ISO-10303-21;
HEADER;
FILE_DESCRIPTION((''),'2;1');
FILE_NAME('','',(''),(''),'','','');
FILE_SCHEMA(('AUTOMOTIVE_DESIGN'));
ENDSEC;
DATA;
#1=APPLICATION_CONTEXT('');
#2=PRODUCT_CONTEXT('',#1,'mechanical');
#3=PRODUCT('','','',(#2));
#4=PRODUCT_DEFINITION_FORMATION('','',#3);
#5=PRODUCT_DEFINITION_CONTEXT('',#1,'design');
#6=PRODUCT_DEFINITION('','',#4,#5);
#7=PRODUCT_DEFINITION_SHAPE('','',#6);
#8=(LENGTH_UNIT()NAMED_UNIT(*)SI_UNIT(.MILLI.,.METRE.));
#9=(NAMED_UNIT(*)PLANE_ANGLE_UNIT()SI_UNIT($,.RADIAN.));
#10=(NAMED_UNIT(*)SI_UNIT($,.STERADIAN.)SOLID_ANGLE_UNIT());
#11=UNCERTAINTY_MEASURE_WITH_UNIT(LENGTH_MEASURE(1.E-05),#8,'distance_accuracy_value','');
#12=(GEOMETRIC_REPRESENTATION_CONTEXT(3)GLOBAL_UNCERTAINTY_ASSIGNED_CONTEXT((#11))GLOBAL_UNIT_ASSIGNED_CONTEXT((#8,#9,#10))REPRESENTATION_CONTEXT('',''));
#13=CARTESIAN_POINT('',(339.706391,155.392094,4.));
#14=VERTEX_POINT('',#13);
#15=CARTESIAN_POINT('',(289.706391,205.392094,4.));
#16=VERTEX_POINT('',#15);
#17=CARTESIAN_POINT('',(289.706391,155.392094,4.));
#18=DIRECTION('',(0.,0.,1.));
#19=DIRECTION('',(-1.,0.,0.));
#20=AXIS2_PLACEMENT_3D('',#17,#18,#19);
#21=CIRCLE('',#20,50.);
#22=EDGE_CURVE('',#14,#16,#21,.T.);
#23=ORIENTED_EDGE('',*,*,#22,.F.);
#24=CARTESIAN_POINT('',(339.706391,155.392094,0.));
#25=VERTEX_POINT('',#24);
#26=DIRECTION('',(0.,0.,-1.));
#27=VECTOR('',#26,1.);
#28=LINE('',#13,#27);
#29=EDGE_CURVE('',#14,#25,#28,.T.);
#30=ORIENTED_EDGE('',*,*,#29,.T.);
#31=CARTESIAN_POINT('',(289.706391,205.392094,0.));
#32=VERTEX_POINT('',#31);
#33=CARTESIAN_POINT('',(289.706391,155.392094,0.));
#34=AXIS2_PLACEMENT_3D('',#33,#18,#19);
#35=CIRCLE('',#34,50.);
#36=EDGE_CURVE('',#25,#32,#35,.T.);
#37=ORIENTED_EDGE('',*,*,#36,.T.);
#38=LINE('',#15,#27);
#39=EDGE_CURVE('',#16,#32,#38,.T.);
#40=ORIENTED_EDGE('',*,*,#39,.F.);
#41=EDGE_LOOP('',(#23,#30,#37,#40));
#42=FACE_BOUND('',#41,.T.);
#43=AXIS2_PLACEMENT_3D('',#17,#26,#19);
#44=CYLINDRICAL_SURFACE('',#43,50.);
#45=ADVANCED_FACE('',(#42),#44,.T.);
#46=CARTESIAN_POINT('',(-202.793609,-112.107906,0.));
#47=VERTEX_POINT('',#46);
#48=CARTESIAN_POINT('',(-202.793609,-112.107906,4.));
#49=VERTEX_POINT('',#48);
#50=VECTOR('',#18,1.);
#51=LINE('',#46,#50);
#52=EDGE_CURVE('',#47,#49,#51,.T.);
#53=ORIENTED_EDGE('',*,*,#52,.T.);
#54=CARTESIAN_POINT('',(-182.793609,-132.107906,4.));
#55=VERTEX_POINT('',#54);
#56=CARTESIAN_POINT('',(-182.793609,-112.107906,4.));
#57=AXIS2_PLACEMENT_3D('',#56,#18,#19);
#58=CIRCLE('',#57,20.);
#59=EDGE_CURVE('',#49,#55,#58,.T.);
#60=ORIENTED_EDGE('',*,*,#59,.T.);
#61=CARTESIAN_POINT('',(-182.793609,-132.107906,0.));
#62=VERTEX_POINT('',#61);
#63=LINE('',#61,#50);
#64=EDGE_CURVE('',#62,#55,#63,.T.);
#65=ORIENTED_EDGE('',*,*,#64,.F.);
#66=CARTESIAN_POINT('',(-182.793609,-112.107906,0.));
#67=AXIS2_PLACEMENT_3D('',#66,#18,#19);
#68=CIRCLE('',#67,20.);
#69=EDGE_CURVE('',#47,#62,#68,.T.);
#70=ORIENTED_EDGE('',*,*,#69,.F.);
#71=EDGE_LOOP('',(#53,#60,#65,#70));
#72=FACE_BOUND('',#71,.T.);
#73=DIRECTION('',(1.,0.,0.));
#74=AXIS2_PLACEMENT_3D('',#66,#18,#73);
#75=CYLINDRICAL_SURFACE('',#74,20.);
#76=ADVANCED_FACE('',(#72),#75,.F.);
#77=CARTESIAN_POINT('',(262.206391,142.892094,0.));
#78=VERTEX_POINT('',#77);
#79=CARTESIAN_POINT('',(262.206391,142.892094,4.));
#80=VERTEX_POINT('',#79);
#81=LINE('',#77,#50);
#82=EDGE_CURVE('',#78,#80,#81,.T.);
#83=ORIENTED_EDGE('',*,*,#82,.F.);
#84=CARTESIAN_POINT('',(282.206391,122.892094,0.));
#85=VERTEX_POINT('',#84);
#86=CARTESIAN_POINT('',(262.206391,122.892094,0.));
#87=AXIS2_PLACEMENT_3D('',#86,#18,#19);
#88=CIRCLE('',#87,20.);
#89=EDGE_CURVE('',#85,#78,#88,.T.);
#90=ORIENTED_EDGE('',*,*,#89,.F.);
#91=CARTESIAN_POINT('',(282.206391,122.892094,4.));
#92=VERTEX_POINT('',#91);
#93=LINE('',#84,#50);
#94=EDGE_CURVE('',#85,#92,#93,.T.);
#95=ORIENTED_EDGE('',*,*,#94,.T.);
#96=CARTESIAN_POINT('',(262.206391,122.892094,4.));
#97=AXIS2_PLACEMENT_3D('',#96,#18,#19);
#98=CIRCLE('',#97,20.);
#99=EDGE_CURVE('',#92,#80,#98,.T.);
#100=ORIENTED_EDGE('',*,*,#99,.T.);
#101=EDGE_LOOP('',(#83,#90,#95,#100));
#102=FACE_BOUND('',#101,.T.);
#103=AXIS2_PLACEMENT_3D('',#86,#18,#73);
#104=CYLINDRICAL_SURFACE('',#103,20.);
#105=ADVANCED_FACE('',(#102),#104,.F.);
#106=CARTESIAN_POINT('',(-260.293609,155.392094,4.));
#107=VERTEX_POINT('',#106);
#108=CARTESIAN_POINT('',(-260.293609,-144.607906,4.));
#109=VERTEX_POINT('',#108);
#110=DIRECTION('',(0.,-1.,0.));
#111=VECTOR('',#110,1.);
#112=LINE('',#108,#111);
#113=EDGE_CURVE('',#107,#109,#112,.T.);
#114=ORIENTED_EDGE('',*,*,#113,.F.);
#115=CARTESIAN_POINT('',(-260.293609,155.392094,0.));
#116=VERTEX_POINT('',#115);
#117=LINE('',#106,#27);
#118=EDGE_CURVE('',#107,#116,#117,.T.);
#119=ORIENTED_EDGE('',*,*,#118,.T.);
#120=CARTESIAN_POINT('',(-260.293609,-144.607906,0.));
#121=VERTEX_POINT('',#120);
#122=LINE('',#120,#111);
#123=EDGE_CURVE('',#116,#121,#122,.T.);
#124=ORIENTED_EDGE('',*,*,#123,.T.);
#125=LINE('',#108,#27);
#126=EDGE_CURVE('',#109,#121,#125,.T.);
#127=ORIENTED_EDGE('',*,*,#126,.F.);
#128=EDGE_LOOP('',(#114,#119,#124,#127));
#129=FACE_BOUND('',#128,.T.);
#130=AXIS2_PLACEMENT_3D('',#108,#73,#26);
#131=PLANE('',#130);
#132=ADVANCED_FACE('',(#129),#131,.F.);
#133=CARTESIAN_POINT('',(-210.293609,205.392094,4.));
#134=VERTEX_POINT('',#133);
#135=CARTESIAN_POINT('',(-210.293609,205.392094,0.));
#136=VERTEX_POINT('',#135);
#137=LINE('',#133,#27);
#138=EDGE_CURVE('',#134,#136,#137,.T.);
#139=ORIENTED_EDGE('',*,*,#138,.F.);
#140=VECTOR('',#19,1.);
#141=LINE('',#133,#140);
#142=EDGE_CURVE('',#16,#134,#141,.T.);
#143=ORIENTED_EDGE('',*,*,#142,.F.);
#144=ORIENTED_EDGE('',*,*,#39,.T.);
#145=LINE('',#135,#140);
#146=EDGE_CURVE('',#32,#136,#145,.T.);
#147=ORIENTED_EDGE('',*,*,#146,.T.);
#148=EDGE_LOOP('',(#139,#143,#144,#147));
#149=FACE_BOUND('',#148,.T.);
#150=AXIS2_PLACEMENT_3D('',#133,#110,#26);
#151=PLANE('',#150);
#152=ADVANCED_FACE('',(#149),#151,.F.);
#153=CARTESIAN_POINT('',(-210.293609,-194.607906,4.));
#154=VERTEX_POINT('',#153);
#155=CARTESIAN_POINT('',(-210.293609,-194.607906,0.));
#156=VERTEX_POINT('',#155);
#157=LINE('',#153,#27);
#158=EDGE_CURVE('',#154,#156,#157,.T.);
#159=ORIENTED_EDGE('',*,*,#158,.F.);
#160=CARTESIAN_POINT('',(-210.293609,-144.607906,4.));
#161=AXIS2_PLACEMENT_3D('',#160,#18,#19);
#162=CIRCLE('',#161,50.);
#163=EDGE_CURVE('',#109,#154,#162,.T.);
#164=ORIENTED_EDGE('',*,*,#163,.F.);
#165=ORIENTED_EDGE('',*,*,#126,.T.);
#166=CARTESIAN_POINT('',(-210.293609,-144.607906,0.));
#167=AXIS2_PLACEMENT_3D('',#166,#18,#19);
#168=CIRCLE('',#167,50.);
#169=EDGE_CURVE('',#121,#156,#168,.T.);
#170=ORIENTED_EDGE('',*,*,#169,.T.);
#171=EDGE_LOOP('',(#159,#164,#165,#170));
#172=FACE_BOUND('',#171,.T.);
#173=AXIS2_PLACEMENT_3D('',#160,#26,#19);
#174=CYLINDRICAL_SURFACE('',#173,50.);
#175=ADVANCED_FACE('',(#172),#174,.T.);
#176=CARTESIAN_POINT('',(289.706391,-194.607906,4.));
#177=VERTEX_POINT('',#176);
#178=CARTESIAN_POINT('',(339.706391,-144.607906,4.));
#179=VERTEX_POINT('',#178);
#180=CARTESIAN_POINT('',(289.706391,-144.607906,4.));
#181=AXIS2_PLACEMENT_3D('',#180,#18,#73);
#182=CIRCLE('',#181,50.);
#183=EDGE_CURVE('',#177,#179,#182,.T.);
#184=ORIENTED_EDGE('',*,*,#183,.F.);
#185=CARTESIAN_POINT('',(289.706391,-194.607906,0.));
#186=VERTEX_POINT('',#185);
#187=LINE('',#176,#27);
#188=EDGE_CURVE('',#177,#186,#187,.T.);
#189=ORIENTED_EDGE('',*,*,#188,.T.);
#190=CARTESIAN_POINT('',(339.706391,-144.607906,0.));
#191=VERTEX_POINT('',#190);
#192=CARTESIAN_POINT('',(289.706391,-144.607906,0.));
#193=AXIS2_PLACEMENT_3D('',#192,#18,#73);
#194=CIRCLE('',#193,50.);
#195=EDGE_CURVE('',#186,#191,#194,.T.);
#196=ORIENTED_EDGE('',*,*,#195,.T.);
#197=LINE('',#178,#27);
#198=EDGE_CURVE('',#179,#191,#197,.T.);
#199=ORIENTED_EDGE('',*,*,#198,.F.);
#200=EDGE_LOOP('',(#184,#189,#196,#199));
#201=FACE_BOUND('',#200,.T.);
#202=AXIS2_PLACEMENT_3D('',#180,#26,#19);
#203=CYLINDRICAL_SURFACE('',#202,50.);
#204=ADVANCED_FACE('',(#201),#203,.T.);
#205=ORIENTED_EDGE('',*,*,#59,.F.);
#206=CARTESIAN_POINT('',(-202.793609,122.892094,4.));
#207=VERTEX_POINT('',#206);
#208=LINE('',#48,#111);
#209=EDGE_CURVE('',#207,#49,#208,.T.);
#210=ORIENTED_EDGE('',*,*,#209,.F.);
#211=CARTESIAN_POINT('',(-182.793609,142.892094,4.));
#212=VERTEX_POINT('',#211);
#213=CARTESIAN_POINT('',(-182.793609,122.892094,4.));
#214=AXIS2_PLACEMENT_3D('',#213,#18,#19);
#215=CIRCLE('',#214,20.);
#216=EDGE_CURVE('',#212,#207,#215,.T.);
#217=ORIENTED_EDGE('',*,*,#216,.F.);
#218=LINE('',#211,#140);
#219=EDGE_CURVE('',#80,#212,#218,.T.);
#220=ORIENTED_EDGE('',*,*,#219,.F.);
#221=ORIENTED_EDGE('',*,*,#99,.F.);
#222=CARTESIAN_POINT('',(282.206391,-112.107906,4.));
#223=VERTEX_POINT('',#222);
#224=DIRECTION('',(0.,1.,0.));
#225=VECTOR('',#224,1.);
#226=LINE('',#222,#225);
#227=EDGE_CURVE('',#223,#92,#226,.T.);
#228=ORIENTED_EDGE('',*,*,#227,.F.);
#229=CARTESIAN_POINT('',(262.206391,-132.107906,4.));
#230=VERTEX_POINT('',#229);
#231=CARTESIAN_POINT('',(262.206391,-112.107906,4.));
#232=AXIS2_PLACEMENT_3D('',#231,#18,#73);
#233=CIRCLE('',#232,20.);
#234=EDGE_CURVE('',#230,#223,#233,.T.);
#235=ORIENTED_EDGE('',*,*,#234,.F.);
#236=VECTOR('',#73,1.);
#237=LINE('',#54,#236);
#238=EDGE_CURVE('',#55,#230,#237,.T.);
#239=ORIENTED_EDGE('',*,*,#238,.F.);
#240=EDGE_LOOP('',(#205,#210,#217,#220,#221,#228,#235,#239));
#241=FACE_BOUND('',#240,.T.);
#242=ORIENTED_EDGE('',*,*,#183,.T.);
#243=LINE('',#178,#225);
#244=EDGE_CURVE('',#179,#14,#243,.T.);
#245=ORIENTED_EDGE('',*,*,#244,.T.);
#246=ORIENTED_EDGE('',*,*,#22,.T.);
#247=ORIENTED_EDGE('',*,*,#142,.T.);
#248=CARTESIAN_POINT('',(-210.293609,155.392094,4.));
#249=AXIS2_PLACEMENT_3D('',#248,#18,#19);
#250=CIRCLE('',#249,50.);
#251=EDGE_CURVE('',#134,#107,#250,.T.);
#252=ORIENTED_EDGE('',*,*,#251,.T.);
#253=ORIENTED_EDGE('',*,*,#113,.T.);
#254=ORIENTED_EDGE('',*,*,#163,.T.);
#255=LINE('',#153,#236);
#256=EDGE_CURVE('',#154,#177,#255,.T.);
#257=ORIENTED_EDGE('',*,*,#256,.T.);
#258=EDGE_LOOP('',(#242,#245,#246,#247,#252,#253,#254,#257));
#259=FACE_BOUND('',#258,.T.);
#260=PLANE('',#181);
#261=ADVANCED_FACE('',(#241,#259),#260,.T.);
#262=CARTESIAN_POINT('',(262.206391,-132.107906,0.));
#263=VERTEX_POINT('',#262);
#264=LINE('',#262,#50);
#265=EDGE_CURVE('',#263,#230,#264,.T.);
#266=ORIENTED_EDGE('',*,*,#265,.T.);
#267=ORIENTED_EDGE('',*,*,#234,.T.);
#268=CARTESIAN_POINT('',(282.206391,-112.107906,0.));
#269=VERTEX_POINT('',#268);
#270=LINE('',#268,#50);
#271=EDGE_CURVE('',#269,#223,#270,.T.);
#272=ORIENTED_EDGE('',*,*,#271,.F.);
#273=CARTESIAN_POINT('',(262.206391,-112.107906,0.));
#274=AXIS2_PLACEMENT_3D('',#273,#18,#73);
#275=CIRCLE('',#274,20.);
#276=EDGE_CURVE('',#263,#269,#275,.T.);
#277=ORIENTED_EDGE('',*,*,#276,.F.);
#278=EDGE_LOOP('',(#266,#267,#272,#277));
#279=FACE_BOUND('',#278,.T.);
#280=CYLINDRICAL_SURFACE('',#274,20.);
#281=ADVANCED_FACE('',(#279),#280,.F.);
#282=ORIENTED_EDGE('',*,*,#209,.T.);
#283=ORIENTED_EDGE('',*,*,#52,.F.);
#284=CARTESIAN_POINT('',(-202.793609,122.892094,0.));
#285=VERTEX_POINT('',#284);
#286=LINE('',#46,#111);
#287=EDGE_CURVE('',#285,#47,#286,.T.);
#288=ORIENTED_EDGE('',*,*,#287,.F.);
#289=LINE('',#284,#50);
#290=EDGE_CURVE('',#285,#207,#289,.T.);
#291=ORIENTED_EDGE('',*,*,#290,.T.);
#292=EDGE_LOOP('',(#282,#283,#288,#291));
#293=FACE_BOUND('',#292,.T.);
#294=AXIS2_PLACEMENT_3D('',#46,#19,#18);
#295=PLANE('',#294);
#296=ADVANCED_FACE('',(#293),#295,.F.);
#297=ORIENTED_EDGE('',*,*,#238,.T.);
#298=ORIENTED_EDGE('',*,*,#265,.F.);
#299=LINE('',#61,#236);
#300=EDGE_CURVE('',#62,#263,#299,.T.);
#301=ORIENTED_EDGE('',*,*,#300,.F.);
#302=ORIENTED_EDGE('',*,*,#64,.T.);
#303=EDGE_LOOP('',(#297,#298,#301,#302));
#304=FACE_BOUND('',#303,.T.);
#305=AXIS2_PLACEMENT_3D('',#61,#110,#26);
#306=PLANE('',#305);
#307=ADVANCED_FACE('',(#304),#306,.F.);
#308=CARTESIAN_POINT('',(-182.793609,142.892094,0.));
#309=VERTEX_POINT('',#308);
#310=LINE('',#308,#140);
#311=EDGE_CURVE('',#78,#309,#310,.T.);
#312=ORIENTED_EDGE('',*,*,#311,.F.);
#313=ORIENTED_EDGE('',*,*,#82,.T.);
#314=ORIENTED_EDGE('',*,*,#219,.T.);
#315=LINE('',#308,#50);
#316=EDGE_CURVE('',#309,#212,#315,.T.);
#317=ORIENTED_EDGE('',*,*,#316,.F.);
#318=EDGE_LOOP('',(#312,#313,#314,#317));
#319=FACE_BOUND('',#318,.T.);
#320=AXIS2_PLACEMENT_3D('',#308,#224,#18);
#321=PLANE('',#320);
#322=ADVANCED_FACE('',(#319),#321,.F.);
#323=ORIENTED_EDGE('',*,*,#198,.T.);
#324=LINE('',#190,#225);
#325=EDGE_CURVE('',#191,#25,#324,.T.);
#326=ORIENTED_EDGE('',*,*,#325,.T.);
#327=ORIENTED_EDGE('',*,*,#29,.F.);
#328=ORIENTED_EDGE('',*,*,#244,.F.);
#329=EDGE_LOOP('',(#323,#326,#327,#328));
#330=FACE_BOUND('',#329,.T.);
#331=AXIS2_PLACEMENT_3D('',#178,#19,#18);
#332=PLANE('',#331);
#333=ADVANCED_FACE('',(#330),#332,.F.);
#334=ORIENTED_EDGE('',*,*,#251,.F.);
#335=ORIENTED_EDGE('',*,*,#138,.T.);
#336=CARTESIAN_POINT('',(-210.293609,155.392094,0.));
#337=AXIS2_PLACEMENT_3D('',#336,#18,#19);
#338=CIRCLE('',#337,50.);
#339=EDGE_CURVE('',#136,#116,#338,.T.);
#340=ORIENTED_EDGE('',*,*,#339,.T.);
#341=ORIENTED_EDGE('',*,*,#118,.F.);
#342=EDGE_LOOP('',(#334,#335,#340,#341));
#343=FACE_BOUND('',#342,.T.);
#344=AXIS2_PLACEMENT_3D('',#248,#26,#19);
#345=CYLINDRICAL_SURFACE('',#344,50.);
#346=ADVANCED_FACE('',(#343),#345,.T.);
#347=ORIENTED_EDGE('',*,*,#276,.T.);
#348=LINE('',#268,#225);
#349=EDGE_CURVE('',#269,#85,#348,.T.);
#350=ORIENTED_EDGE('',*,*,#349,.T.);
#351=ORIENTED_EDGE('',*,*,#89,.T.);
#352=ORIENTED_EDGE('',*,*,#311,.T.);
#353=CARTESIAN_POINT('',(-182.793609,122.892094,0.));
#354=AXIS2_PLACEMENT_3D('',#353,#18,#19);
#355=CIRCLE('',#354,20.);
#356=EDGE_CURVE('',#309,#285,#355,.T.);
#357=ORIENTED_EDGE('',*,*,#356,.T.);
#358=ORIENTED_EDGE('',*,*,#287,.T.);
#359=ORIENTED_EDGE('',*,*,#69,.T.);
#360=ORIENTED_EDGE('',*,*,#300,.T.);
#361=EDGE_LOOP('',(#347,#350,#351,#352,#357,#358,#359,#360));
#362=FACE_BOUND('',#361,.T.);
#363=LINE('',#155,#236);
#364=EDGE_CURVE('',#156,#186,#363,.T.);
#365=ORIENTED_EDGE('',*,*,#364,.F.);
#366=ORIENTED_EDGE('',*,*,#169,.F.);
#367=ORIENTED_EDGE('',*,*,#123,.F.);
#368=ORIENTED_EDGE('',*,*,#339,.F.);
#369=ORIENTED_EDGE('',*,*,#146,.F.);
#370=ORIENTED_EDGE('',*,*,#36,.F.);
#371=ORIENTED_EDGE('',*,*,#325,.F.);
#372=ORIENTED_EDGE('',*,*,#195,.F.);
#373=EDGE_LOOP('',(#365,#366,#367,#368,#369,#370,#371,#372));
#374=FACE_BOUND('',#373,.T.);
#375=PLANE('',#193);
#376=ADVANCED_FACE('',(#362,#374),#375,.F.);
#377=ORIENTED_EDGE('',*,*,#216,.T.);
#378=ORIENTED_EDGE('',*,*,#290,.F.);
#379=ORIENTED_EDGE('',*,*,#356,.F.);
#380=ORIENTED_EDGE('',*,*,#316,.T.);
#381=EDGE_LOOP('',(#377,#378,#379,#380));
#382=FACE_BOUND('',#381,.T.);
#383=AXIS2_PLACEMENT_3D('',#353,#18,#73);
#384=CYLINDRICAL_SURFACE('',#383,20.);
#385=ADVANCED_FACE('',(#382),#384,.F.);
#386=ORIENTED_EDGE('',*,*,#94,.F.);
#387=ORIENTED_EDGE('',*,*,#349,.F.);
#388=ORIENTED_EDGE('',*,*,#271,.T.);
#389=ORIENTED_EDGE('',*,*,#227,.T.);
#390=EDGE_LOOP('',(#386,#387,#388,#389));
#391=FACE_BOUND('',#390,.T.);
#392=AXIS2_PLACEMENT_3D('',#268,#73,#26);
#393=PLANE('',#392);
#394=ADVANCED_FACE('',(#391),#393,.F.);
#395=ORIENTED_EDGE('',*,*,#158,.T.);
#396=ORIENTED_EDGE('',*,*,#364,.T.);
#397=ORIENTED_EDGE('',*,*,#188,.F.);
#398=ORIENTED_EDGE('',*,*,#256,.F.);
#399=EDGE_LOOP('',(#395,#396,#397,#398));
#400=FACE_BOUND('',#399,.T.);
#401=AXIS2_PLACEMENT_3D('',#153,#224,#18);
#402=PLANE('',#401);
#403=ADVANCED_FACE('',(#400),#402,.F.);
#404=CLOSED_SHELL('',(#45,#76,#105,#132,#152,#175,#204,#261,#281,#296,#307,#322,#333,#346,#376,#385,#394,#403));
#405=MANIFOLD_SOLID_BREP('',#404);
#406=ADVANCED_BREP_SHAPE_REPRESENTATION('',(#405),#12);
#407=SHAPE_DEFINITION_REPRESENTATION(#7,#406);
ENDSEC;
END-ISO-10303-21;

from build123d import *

# Parameters (mm, degrees)
BOSS_EXTRUDE1_DEPTH = 4
CUT_EXTRUDE4_DEPTH  = 4


with BuildPart() as part:
    # Sketch1 → Boss-Extrude1 (new body)
    with BuildSketch(Plane.XY):
        with BuildLine():
            Line((-210.293609009, -194.607906081), (289.706390991, -194.607906081))
            ThreePointArc((289.706390991, -194.607906081), (325.061730051, -179.96324514), (339.706390991, -144.607906081))
            Line((339.706390991, -144.607906081), (339.706390991, 155.392093919))
            ThreePointArc((339.706390991, 155.392093919), (325.061730051, 190.747432978), (289.706390991, 205.392093919))
            Line((289.706390991, 205.392093919), (-210.293609009, 205.392093919))
            ThreePointArc((-210.293609009, 205.392093919), (-245.648948068, 190.747432978), (-260.293609009, 155.392093919))
            Line((-260.293609009, 155.392093919), (-260.293609009, -144.607906081))
            ThreePointArc((-260.293609009, -144.607906081), (-245.648948068, -179.96324514), (-210.293609009, -194.607906081))
        make_face()
    extrude(amount=BOSS_EXTRUDE1_DEPTH)

    # Sketch3 → Cut-Extrude4 (cut)
    with BuildSketch(Plane.XY.offset(4)):
        with BuildLine():
            Line((-182.793609009, -132.107906081), (262.206390991, -132.107906081))
            ThreePointArc((262.206390991, -132.107906081), (276.348526615, -126.250041705), (282.206390991, -112.107906081))
            Line((282.206390991, -112.107906081), (282.206390991, 122.892093919))
            ThreePointArc((282.206390991, 122.892093919), (276.348526615, 137.034229543), (262.206390991, 142.892093919))
            Line((262.206390991, 142.892093919), (-182.793609009, 142.892093919))
            ThreePointArc((-182.793609009, 142.892093919), (-196.935744632, 137.034229543), (-202.793609009, 122.892093919))
            Line((-202.793609009, 122.892093919), (-202.793609009, -112.107906081))
            ThreePointArc((-202.793609009, -112.107906081), (-196.935744632, -126.250041705), (-182.793609009, -132.107906081))
        make_face()
    extrude(amount=-CUT_EXTRUDE4_DEPTH, mode=Mode.SUBTRACT)


solid = part.part
